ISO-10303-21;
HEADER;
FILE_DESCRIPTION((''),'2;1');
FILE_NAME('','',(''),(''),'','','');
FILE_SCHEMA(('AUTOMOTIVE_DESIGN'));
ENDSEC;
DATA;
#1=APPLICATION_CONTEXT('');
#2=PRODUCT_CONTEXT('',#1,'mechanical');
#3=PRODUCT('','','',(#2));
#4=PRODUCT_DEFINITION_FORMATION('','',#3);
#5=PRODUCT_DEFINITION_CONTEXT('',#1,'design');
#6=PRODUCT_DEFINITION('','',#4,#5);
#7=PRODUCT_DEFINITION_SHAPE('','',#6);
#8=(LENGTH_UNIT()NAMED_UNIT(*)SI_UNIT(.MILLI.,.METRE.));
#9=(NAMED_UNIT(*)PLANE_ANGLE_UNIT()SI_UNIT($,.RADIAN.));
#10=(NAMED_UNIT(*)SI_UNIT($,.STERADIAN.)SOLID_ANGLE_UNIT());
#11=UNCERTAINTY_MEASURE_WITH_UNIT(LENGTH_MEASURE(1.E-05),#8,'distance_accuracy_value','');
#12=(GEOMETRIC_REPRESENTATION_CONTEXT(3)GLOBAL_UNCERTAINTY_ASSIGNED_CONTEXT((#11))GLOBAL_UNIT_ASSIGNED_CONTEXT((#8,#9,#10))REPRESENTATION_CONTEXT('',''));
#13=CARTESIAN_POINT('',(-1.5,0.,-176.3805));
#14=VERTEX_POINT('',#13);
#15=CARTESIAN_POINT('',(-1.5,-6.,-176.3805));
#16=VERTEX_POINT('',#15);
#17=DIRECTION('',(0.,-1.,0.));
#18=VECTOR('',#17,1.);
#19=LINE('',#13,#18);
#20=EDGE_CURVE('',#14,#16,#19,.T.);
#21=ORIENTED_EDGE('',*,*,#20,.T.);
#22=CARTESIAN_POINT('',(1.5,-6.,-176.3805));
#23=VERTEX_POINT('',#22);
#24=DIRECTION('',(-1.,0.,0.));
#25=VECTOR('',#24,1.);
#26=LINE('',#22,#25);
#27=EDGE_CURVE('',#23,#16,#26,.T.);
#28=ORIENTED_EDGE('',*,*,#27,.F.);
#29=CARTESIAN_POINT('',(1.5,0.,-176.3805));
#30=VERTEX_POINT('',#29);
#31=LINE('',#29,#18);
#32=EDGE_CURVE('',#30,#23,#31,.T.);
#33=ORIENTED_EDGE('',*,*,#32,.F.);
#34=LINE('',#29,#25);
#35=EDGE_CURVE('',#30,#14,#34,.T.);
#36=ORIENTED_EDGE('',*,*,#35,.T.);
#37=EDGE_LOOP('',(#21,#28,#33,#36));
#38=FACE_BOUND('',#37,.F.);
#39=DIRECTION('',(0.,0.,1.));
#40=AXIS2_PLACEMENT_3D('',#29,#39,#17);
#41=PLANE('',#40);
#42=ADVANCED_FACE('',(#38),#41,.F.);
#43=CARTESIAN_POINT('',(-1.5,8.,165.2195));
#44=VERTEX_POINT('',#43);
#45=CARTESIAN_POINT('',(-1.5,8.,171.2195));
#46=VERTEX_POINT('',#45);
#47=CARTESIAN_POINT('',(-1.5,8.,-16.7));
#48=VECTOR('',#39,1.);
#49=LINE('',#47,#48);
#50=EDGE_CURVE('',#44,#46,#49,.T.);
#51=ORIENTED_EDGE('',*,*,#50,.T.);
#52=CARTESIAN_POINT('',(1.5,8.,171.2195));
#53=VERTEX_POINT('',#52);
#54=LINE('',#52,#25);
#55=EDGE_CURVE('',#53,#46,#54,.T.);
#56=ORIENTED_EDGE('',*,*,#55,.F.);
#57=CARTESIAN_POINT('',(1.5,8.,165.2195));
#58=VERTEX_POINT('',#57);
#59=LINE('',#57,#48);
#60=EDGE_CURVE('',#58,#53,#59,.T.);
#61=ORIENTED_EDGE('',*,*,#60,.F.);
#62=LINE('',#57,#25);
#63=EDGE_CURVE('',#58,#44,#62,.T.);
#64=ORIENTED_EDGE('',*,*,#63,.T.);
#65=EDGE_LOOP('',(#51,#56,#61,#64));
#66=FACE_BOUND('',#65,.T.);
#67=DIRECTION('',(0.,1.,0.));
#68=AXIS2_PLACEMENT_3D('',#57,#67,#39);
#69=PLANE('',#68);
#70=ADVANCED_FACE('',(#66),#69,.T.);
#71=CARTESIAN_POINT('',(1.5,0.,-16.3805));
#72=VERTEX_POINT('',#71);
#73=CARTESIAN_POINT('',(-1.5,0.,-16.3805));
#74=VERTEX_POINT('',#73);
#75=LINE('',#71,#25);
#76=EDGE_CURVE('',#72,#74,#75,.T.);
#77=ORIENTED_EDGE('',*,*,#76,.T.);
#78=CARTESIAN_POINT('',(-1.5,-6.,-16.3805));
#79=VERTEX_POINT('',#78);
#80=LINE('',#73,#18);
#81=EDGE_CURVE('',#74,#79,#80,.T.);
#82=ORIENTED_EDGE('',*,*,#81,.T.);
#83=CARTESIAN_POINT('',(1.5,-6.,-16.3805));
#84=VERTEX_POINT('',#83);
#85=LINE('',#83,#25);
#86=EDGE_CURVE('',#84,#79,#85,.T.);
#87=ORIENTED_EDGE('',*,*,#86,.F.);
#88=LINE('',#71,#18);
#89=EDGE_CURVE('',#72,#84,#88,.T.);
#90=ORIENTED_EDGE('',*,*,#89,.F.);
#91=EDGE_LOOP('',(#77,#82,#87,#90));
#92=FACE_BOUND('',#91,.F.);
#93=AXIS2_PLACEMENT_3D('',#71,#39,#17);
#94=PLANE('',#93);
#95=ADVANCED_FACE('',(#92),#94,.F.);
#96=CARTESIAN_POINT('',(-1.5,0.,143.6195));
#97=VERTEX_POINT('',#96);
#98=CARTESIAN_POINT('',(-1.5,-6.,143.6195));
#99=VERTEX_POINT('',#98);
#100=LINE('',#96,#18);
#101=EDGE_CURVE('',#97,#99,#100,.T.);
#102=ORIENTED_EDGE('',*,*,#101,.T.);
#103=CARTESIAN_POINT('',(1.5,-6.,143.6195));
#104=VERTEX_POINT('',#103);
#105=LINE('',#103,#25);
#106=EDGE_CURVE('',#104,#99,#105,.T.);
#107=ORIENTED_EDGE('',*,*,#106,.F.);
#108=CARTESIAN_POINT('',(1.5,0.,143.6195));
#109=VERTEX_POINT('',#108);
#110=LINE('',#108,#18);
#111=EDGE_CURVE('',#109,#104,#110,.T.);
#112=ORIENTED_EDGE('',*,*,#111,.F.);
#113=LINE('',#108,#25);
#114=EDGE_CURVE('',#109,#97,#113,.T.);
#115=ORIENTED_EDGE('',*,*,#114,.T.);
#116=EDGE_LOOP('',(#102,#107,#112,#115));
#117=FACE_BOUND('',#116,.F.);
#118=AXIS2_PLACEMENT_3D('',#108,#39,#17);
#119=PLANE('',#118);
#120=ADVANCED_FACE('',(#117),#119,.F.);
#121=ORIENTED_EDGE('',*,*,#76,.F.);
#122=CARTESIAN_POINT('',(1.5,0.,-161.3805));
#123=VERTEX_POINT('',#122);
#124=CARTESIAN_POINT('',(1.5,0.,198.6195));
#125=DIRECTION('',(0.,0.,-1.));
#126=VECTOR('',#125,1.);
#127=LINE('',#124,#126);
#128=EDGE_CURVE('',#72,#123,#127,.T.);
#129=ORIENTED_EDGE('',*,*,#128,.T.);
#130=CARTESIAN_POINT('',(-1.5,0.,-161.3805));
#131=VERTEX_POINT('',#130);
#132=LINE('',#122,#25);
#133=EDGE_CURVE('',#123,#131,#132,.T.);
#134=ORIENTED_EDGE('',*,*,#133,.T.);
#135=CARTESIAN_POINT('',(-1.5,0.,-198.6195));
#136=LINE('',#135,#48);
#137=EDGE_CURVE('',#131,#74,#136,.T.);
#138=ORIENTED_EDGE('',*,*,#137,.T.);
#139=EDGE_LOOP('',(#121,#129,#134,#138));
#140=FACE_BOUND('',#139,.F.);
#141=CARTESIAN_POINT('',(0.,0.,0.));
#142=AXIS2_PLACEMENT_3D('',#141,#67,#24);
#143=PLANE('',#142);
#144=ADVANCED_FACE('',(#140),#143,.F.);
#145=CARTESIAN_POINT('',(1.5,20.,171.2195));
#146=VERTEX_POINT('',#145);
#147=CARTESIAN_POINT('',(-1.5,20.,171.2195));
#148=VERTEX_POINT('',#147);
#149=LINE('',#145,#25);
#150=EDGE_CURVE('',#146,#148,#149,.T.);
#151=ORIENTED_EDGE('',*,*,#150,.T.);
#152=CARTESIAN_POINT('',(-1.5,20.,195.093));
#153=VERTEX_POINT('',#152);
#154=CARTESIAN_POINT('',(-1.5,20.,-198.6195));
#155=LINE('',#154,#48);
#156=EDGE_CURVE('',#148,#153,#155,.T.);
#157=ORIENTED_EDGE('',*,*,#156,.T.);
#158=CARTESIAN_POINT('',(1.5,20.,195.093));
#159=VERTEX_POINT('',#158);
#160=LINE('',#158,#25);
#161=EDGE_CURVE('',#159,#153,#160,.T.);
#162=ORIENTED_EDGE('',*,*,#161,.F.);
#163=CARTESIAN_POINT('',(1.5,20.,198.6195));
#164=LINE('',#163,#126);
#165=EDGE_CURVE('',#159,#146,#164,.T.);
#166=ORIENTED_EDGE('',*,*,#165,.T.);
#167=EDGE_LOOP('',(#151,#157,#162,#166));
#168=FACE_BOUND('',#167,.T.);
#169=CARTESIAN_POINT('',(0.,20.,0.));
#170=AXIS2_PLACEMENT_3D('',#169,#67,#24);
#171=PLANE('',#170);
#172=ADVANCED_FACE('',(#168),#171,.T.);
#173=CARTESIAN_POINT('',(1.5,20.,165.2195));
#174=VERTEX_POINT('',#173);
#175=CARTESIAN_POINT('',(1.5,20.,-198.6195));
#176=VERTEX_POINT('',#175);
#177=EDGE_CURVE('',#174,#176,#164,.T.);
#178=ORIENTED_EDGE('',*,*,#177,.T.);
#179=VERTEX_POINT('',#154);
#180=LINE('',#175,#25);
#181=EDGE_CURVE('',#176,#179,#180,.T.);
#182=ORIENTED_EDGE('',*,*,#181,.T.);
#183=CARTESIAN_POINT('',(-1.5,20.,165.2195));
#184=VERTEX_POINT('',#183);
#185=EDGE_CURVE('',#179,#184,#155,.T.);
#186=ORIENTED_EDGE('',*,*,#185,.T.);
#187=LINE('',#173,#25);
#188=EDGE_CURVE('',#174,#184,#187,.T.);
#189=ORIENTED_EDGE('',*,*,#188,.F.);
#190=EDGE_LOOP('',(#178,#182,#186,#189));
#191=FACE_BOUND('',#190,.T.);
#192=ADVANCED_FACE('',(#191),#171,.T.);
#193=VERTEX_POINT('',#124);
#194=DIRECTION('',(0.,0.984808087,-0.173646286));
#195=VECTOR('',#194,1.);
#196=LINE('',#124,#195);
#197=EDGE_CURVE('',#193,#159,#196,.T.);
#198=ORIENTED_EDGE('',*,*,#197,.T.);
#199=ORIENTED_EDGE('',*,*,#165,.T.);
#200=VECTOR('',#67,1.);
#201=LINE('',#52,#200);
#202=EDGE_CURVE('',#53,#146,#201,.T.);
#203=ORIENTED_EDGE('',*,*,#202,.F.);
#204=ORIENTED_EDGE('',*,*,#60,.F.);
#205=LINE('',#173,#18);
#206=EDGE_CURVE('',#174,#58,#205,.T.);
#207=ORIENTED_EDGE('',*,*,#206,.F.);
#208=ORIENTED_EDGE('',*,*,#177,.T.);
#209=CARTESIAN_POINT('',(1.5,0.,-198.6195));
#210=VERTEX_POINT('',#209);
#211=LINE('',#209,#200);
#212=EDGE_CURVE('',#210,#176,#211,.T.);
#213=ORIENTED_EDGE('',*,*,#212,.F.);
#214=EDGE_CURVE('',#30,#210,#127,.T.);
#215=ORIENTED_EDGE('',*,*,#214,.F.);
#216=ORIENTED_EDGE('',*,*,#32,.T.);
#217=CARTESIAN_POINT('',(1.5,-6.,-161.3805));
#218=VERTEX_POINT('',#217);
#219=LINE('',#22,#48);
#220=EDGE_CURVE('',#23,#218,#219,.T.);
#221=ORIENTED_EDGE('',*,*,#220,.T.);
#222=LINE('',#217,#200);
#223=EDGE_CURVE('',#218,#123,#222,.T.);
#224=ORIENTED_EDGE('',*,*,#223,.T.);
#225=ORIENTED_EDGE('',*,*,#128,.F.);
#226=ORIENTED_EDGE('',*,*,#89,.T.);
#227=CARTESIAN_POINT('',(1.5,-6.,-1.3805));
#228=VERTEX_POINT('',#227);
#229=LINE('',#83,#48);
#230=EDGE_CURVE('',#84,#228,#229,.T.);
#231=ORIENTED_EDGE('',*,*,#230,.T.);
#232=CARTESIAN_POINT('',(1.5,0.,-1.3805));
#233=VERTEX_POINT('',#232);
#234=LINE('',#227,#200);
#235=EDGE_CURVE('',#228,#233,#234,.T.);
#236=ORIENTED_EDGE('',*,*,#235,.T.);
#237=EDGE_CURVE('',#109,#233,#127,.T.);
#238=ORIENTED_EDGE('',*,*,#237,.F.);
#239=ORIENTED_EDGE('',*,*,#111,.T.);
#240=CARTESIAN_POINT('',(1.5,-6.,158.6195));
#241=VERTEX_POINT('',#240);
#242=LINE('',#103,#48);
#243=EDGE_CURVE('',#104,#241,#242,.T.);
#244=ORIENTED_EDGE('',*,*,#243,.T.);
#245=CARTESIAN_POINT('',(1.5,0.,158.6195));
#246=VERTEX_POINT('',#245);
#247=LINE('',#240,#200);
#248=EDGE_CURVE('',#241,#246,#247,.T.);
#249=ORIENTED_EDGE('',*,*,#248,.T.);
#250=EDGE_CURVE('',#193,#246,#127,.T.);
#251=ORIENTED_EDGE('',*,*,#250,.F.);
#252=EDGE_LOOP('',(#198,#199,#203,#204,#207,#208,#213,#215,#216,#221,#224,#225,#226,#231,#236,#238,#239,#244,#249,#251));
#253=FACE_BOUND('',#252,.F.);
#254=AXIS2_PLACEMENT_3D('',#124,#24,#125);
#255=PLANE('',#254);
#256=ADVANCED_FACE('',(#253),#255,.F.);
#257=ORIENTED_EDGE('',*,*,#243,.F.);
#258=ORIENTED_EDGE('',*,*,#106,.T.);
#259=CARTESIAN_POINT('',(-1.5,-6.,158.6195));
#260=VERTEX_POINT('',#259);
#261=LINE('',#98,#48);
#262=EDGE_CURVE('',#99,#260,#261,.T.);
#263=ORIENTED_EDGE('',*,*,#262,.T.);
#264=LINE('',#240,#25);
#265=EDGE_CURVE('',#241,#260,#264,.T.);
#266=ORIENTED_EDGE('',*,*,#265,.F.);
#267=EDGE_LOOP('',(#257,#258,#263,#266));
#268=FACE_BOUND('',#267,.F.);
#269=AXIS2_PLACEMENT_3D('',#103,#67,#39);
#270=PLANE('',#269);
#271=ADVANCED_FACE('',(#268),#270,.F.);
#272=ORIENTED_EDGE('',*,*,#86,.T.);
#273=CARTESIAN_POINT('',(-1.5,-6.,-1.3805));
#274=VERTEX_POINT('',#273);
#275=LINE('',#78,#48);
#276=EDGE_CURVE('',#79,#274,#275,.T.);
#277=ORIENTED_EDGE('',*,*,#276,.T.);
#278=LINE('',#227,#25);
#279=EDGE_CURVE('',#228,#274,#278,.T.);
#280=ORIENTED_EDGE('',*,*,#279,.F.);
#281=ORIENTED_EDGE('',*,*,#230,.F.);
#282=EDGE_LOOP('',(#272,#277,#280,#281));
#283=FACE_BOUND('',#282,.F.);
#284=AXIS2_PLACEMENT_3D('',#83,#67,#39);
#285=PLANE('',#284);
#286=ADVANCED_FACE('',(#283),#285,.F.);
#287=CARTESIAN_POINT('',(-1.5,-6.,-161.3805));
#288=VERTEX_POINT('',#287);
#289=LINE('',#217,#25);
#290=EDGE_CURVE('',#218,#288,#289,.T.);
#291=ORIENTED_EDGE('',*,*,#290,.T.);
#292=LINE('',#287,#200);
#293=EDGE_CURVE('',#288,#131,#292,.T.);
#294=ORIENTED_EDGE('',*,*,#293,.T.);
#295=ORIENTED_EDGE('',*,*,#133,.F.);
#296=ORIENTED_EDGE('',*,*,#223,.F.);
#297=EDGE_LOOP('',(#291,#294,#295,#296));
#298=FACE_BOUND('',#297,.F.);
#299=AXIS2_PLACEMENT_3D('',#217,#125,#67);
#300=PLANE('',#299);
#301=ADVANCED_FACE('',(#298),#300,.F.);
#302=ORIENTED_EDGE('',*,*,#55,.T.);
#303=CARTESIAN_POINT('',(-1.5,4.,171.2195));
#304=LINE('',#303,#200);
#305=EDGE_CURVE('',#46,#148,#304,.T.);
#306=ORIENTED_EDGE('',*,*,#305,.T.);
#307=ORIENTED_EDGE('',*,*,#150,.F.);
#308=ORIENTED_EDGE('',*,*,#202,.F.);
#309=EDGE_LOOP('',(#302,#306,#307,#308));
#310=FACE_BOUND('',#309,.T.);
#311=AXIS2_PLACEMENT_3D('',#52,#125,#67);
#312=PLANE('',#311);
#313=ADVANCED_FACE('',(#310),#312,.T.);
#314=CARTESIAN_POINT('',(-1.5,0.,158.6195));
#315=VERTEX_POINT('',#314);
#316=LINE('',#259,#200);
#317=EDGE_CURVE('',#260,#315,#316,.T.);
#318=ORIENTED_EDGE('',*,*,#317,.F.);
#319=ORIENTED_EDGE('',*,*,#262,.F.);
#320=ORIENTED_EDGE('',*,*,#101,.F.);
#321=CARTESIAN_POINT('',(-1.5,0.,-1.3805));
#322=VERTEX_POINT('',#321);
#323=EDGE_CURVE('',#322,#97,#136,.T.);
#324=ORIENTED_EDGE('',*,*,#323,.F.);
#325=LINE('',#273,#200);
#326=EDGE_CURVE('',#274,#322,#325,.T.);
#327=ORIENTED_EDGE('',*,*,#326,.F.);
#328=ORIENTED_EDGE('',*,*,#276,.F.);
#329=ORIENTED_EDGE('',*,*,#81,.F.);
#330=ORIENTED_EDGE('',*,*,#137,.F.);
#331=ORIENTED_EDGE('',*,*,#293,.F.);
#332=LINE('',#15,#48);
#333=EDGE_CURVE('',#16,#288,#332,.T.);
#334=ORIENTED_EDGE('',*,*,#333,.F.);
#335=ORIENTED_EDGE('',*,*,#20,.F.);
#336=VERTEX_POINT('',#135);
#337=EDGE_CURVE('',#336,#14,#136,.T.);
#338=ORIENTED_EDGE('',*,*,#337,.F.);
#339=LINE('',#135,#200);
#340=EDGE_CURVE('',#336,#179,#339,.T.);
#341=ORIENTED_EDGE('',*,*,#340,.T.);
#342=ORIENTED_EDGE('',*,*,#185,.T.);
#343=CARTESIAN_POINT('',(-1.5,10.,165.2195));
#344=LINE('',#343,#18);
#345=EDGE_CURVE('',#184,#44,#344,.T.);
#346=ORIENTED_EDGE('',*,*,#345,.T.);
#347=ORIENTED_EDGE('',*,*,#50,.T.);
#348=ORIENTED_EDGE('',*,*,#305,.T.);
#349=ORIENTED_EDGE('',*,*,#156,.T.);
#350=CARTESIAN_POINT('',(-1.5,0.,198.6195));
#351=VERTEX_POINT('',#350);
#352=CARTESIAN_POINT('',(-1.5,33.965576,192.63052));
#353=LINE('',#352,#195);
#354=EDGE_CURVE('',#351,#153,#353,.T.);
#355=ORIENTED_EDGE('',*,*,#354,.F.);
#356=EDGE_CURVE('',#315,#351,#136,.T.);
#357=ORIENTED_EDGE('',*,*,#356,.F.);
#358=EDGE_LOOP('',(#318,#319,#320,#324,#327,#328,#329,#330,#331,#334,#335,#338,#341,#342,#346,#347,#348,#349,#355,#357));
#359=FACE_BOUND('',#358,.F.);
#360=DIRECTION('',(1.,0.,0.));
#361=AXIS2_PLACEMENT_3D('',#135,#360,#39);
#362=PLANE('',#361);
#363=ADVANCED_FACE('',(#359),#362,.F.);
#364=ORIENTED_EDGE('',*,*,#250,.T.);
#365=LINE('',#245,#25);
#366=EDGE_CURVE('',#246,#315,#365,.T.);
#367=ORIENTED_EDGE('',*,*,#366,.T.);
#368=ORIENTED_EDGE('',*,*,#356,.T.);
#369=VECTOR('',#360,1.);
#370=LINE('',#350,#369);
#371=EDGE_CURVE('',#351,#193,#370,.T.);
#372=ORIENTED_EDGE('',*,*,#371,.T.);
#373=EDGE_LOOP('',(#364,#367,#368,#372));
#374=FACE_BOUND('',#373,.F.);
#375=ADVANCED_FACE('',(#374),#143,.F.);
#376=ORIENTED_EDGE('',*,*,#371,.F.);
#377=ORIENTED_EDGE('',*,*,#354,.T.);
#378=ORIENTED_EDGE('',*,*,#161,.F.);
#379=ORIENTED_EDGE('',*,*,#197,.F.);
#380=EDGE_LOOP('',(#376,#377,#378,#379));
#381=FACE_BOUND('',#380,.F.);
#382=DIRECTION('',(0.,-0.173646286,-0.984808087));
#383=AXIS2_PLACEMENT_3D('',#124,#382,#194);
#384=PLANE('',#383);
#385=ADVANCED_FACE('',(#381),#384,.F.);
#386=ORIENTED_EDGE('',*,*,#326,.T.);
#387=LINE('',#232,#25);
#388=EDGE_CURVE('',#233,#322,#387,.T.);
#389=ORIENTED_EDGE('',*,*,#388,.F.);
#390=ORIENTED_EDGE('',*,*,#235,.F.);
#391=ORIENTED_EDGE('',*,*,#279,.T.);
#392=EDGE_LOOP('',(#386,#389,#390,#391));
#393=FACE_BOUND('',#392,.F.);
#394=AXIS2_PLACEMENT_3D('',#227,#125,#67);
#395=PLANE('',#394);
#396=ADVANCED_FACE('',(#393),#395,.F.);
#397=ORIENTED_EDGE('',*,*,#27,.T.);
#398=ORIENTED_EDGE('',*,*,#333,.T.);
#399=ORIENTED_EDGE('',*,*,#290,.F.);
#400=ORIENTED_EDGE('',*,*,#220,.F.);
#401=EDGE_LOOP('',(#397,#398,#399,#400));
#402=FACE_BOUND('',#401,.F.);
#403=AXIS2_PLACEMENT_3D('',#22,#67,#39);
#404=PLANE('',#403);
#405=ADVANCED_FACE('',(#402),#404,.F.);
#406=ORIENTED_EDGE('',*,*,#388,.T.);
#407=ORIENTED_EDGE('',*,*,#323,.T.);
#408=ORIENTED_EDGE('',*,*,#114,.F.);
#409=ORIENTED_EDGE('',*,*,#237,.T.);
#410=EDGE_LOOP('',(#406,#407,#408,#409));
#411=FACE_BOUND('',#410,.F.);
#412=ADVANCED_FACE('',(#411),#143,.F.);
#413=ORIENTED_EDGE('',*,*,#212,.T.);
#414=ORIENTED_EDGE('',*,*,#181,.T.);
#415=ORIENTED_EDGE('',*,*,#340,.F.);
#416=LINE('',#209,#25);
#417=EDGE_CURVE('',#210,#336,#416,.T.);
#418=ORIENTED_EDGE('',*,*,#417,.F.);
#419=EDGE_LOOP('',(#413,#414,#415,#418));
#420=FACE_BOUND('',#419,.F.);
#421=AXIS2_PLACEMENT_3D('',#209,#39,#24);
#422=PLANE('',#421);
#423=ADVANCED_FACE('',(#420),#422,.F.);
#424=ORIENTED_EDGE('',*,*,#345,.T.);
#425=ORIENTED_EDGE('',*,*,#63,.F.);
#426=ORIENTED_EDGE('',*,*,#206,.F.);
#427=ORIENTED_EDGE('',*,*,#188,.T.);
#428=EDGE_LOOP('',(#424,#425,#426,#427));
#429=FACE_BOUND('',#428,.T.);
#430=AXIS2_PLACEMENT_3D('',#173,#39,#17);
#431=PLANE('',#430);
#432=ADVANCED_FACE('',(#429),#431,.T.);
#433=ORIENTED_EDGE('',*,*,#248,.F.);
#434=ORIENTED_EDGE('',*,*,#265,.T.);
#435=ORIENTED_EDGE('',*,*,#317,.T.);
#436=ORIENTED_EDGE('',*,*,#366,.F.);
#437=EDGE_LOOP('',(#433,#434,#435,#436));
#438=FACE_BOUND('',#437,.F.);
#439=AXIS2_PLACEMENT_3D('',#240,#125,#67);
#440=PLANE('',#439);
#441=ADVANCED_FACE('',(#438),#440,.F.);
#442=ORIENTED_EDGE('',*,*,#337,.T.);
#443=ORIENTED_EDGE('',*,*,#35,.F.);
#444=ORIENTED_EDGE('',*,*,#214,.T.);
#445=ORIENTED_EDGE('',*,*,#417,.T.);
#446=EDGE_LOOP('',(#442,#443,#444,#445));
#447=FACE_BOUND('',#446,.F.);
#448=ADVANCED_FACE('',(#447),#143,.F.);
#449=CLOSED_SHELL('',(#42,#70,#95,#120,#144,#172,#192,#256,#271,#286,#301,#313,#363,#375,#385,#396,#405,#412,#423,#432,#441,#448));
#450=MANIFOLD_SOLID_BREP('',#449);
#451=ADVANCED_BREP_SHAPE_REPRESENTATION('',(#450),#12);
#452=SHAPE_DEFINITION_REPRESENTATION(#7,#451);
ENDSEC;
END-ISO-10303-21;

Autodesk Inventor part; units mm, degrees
ref_plane "YZ Plane" through (0, 0, 0) normal (1, 0, 0) x (0, 1, 0)
ref_plane "XZ Plane" through (0, 0, 0) normal (0, 1, 0) x (-1, 0, 0)
ref_plane "XY Plane" through (0, 0, 0) normal (0, 0, 1) x (1, 0, 0)
sketch "Sketch2" plane through (0, 0, 0) normal (0, 1, 0) x (-1, 0, 0)
  line L0 (-1.5, -198.6195) -> (1.5, -198.6195)
  line L1 (1.5, -198.6195) -> (1.5, 198.6195)
  line L2 (1.5, 198.6195) -> (-1.5, 198.6195)
  line L3 (-1.5, 198.6195) -> (-1.5, -198.6195)
  line L4 (-1.5, -198.6195) -> (1.5, 198.6195) construction
  line L5 (1.5, -198.6195) -> (-1.5, 198.6195) construction
  point P0 (0, 0)
  dimension "d0" = 3
  dimension "d1" = 397.239
extrude "Extrusion1" add sketch "Sketch2" along normal blind 20
sketch "Sketch4" plane through (1.5, 0, -198.6195) normal (1, 0, 0) x (0, 0, -1)
  line L0 (0, 0) -> (-397.239, 0) projected
  line L1 (-397.239, 0) -> (-397.239, 20) projected
  line L2 (-397.239, 0) -> (-397.239, 20)
  line L3 (-397.239, 20) -> (-393.7125, 20)
  line L4 (-397.239, 20) -> (0, 20) projected
  line L5 (-397.239, 0) -> (-393.7125, 20)
  point P0 (-198.6195, 0)
  point P1 (-329.239, 0)
  dimension "d10" = 10
extrude "Extrusion3" cut sketch "Sketch4" against normal through all
sketch "Sketch6" plane through (1.5, 0, -198.6195) normal (1, 0, 0) x (0, 0, -1)
  line L0 (-393.7125, 20) -> (0, 20) projected
  line L1 (-369.839, 20) -> (-363.839, 20)
  line L2 (-363.839, 20) -> (-363.839, 8)
  line L3 (-363.839, 8) -> (-369.839, 8)
  line L4 (-369.839, 8) -> (-369.839, 20)
  line L5 (-397.239, 0) -> (0, 0) construction
  line L6 (-397.239, 0) -> (-397.239, 30) construction
  point P0 (-198.6195, 0)
  dimension "d20" = 6
  dimension "d21" = 12
  dimension "d25" = 27.4
extrude "Extrusion5" cut sketch "Sketch6" against normal blind 6
sketch "Sketch7" plane through (1.5, 0, -198.6195) normal (1, 0, 0) x (0, 0, -1)
  line L0 (0, 0) -> (-397.239, 0) projected
  line L1 (-357.239, 0) -> (-342.239, 0)
  line L2 (-342.239, 0) -> (-342.239, -6)
  line L3 (-342.239, -6) -> (-357.239, -6)
  line L4 (-357.239, -6) -> (-357.239, 0)
  line L5 (-197.239, 0) -> (-182.239, 0)
  line L6 (-182.239, 0) -> (-182.239, -6)
  line L7 (-182.239, -6) -> (-197.239, -6)
  line L8 (-197.239, -6) -> (-197.239, 0)
  line L9 (-37.239, 0) -> (-22.239, 0)
  line L10 (-22.239, 0) -> (-22.239, -6)
  line L11 (-22.239, -6) -> (-37.239, -6)
  line L12 (-37.239, -6) -> (-37.239, 0)
  point P0 (-198.6195, 0)
  dimension "d26" = 15
  dimension "d27" = 6
  dimension "d28" = 15
  dimension "d29" = 15
  dimension "d30" = 6
  dimension "d31" = 40
  dimension "d32" = 145
  dimension "d33" = 145
extrude "Extrusion6" add sketch "Sketch7" against normal blind 3
properties part number "wall outer plunger"
